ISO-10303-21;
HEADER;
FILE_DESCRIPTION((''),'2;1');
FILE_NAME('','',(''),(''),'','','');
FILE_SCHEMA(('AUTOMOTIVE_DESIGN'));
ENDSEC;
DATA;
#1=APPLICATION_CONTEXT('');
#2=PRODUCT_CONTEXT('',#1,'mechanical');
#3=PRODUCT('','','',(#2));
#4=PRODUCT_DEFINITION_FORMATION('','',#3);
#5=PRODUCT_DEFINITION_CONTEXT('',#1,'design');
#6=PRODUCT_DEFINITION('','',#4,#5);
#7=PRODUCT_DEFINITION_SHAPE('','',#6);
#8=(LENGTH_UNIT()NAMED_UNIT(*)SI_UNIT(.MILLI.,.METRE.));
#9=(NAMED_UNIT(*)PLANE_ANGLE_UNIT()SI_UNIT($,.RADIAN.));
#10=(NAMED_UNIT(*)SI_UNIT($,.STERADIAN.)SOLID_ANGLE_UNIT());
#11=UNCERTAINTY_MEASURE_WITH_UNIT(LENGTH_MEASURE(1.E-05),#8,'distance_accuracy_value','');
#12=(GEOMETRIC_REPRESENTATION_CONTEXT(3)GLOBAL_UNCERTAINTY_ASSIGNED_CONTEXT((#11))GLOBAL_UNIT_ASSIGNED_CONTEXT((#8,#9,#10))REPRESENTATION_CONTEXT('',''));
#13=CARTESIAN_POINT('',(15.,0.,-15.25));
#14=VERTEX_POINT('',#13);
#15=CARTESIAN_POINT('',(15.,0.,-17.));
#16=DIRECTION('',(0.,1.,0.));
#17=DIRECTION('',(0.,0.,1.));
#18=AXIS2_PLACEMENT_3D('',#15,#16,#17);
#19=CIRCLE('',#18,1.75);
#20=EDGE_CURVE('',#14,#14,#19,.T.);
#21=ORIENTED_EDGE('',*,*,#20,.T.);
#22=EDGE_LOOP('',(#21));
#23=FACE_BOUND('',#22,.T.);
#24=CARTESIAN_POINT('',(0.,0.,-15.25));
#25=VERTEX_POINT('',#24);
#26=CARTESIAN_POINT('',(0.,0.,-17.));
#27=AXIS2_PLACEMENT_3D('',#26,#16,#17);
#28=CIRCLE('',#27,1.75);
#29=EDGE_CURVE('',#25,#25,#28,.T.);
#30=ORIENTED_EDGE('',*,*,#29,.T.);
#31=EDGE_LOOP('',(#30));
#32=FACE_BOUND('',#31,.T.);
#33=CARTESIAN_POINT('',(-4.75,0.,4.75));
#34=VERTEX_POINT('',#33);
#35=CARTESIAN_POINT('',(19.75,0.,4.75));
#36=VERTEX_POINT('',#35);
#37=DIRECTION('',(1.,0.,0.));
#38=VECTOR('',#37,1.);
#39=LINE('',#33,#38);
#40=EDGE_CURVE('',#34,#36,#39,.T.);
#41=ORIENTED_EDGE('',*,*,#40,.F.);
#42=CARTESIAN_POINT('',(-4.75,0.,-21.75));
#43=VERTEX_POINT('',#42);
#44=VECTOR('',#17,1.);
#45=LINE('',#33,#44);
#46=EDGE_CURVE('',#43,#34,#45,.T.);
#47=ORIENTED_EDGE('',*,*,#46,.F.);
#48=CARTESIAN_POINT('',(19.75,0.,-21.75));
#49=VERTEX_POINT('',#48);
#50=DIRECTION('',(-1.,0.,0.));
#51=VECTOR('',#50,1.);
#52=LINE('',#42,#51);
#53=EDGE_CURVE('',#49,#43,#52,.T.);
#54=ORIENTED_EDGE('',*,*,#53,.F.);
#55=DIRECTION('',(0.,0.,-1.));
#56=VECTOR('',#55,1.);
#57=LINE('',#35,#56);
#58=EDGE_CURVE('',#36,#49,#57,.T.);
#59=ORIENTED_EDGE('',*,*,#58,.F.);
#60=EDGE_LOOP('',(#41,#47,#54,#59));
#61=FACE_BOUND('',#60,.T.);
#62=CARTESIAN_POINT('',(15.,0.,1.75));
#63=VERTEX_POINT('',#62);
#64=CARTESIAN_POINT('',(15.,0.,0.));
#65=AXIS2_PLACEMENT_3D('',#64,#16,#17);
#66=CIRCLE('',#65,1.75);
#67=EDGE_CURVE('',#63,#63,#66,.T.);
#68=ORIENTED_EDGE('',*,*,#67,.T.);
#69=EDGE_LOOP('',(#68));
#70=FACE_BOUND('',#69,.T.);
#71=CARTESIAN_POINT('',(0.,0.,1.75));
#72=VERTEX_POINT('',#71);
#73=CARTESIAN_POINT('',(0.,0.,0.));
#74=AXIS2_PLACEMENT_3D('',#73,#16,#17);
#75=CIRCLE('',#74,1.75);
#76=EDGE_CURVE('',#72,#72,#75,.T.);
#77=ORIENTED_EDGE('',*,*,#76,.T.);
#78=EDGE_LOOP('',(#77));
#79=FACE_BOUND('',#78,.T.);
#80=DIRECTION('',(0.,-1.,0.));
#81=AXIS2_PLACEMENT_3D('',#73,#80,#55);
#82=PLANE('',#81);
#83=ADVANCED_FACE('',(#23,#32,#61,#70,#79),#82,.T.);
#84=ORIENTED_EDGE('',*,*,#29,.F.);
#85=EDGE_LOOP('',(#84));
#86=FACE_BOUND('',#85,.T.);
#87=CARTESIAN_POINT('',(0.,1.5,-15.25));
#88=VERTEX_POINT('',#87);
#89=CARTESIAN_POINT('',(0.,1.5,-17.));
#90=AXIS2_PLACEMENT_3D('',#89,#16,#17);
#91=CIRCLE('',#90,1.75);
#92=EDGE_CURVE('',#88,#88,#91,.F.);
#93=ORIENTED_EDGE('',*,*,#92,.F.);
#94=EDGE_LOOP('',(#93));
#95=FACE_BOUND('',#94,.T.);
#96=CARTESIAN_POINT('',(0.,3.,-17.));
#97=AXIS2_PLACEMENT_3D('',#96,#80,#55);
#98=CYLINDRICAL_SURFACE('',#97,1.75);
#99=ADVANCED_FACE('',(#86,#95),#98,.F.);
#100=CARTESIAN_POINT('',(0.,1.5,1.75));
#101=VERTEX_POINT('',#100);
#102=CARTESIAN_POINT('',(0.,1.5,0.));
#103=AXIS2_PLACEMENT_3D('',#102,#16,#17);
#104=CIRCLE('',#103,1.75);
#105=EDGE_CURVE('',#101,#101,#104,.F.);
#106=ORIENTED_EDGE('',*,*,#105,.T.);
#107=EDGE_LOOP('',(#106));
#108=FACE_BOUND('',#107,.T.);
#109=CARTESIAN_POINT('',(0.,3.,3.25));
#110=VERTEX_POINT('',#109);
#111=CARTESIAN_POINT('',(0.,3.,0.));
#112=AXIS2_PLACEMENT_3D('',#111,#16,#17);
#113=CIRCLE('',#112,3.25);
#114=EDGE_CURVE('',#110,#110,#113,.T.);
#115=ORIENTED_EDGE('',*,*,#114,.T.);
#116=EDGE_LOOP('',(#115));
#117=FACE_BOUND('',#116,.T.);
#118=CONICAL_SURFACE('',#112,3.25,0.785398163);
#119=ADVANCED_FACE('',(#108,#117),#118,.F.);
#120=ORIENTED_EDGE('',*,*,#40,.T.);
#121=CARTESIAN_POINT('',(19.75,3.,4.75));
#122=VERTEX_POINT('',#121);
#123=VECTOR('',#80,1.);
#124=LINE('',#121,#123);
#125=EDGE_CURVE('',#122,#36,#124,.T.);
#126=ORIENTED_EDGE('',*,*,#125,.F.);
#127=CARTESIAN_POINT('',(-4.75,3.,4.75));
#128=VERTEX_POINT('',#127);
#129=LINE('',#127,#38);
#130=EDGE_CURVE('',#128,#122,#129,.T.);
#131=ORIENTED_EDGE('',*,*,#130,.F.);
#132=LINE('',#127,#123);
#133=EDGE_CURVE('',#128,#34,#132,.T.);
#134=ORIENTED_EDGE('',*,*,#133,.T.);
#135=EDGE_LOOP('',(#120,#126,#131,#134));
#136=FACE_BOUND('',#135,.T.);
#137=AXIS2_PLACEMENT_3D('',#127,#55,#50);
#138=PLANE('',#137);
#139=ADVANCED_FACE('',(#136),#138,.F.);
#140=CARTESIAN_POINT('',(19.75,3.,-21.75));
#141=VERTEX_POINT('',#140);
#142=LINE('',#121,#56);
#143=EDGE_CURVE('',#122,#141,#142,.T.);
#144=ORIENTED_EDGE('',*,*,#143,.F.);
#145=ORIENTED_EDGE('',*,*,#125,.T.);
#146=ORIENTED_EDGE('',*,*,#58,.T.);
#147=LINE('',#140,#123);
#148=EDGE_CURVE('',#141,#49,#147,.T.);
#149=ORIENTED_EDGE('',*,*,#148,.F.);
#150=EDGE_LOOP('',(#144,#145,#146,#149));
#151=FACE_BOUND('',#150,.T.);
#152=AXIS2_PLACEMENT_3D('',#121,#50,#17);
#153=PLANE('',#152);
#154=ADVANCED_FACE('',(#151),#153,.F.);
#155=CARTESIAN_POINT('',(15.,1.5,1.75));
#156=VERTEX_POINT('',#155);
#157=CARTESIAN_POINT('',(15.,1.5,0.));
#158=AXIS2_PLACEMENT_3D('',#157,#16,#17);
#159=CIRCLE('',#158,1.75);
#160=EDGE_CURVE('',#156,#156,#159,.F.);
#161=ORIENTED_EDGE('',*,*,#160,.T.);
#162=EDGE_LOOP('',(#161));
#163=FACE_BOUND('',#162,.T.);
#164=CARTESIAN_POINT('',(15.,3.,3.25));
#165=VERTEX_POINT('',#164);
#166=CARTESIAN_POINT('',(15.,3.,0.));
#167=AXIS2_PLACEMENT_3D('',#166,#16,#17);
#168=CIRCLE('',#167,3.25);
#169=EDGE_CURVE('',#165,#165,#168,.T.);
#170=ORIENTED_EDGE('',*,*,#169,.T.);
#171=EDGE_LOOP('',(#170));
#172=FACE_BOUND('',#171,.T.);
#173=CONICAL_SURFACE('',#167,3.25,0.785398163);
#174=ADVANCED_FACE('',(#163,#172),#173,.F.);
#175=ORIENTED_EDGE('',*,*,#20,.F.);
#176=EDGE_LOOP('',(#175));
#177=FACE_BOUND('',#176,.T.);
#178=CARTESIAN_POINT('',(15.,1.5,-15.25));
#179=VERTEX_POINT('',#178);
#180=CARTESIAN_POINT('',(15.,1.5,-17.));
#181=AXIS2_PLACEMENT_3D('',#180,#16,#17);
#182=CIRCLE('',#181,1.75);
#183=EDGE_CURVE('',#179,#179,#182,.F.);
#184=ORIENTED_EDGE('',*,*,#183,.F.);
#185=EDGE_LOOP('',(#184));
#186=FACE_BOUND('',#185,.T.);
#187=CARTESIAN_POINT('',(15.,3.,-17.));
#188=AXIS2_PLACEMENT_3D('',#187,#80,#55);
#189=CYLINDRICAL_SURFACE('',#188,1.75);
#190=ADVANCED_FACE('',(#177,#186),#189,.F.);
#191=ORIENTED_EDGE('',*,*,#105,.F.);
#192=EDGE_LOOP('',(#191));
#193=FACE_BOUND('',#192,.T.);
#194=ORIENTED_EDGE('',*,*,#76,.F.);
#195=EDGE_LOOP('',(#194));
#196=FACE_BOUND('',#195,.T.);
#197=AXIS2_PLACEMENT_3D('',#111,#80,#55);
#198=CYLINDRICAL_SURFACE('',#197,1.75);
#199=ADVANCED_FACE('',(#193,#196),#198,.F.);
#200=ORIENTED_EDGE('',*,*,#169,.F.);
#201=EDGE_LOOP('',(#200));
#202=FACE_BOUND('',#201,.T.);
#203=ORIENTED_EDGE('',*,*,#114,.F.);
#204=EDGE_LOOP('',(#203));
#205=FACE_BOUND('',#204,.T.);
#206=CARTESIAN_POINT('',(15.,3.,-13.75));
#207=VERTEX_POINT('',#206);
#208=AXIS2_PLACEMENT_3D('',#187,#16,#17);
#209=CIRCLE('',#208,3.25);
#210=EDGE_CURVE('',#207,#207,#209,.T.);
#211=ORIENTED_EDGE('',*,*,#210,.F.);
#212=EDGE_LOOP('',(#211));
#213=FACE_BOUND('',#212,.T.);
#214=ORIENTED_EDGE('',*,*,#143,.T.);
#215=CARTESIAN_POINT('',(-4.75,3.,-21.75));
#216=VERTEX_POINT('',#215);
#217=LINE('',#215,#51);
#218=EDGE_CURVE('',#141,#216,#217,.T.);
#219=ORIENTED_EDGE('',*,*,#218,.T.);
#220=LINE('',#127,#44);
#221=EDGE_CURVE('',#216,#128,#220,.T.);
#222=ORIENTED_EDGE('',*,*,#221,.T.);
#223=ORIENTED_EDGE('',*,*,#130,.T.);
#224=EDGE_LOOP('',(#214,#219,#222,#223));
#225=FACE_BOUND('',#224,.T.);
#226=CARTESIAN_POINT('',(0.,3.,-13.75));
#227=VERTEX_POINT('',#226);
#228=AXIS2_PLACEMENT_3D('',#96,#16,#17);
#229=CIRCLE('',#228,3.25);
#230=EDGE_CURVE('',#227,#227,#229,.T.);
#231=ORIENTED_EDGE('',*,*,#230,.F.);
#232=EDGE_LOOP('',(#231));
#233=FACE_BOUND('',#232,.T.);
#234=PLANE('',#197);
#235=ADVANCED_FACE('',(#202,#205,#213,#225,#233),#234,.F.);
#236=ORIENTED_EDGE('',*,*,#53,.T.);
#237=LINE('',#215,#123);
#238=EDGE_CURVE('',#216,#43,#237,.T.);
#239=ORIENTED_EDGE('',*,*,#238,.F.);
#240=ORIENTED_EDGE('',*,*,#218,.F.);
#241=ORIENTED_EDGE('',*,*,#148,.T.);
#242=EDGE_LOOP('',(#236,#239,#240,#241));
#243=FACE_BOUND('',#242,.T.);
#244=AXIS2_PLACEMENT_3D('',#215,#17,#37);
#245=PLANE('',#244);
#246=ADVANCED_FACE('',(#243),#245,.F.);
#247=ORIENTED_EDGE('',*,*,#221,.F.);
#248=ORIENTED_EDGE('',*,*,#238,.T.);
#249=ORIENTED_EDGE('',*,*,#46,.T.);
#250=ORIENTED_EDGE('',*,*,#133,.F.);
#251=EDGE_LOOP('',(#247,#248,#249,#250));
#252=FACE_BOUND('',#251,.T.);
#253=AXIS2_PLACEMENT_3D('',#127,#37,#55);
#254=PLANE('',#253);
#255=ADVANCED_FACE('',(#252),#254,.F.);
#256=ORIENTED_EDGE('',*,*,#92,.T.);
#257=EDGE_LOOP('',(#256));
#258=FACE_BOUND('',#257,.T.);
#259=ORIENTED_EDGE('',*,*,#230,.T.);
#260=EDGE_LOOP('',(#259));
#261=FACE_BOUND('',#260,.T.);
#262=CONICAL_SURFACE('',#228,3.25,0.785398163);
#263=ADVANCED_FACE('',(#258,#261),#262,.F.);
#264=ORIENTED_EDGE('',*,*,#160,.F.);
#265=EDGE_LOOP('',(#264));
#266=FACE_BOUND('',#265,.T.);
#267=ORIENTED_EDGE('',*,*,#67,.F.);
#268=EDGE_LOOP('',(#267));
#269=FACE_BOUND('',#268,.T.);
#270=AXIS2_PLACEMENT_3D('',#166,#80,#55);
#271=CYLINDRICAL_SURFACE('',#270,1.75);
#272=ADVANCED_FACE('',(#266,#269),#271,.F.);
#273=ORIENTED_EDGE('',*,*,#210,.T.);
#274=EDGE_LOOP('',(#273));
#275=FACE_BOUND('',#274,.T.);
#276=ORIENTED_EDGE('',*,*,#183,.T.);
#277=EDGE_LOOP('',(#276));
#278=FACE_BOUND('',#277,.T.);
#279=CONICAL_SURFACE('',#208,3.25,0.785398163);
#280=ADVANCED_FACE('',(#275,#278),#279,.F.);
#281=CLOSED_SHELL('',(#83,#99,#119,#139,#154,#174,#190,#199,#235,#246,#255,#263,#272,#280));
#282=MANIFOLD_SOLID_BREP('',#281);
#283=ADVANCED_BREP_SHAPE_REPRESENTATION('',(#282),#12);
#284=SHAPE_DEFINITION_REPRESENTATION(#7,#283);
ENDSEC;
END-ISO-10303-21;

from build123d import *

# Parameters (mm, degrees)
SKETCH_1_W                  = 24.5
SKETCH_1_H                  = 26.5
SKETCH_1_R                  = 1.75
EXTRUDE_1_DEPTH             = 3
HOLE_WIZARD_M3_1_AT_2_COUNT = 2
HOLE_WIZARD_M3_1_AT_2_PITCH = 15
HOLE_WIZARD_M3_1_AT_3_COUNT = 2
HOLE_WIZARD_M3_1_AT_3_PITCH = 22.671568098
HOLE_WIZARD_M3_1_AT_4_COUNT = 2
HOLE_WIZARD_M3_1_AT_4_PITCH = 17


with BuildPart() as part:
    # 草图1 → 凸台-拉伸1 (new body)
    with BuildSketch(Plane(origin=(0, 0, 0), x_dir=(1, 0, 0), z_dir=(0, 1, 0))):
        with Locations((7.5, 8.5)):
            Rectangle(SKETCH_1_W, SKETCH_1_H)
        with Locations(Location((0, 0, 0), (0, 0, 270))):
            Circle(SKETCH_1_R, mode=Mode.SUBTRACT)
        with Locations(Location((15, 0, 0), (0, 0, 270))):
            Circle(SKETCH_1_R, mode=Mode.SUBTRACT)
        with Locations(Location((0, 17, 0), (0, 0, 270))):
            Circle(SKETCH_1_R, mode=Mode.SUBTRACT)
        with Locations(Location((15, 17, 0), (0, 0, 270))):
            Circle(SKETCH_1_R, mode=Mode.SUBTRACT)
    extrude(amount=EXTRUDE_1_DEPTH)

    # 草图5 → M3 平头机械螺钉的锥形沉头孔1 (revolve, cut)
    with BuildSketch(Plane(origin=(0, 3, 0), x_dir=(0, 0, 1), z_dir=(1, 0, 0))):
        Polygon((0, 0), (0, 3), (1.6, 3), (1.6, 1.65), (3.25, 0), align=None)
    hole_wizard_m3_1 = revolve(axis=Axis((0, 9.35, 0), (0, -1, 0)), mode=Mode.SUBTRACT)

    # M3 平头机械螺钉的锥形沉头孔1 at 2: M3 平头机械螺钉的锥形沉头孔1 ×2
    with Locations(*[(i * HOLE_WIZARD_M3_1_AT_2_PITCH, 0, 0) for i in range(1, HOLE_WIZARD_M3_1_AT_2_COUNT)]):
        add(hole_wizard_m3_1, mode=Mode.SUBTRACT)

    # M3 平头机械螺钉的锥形沉头孔1 at 3: M3 平头机械螺钉的锥形沉头孔1 ×2
    with Locations(*[Vector(0.6616216370868463, 0, -0.7498378553650926) * (i * HOLE_WIZARD_M3_1_AT_3_PITCH) for i in range(1, HOLE_WIZARD_M3_1_AT_3_COUNT)]):
        add(hole_wizard_m3_1, mode=Mode.SUBTRACT)

    # M3 平头机械螺钉的锥形沉头孔1 at 4: M3 平头机械螺钉的锥形沉头孔1 ×2
    with Locations(*[(0, 0, -i * HOLE_WIZARD_M3_1_AT_4_PITCH) for i in range(1, HOLE_WIZARD_M3_1_AT_4_COUNT)]):
        add(hole_wizard_m3_1, mode=Mode.SUBTRACT)


solid = part.part
